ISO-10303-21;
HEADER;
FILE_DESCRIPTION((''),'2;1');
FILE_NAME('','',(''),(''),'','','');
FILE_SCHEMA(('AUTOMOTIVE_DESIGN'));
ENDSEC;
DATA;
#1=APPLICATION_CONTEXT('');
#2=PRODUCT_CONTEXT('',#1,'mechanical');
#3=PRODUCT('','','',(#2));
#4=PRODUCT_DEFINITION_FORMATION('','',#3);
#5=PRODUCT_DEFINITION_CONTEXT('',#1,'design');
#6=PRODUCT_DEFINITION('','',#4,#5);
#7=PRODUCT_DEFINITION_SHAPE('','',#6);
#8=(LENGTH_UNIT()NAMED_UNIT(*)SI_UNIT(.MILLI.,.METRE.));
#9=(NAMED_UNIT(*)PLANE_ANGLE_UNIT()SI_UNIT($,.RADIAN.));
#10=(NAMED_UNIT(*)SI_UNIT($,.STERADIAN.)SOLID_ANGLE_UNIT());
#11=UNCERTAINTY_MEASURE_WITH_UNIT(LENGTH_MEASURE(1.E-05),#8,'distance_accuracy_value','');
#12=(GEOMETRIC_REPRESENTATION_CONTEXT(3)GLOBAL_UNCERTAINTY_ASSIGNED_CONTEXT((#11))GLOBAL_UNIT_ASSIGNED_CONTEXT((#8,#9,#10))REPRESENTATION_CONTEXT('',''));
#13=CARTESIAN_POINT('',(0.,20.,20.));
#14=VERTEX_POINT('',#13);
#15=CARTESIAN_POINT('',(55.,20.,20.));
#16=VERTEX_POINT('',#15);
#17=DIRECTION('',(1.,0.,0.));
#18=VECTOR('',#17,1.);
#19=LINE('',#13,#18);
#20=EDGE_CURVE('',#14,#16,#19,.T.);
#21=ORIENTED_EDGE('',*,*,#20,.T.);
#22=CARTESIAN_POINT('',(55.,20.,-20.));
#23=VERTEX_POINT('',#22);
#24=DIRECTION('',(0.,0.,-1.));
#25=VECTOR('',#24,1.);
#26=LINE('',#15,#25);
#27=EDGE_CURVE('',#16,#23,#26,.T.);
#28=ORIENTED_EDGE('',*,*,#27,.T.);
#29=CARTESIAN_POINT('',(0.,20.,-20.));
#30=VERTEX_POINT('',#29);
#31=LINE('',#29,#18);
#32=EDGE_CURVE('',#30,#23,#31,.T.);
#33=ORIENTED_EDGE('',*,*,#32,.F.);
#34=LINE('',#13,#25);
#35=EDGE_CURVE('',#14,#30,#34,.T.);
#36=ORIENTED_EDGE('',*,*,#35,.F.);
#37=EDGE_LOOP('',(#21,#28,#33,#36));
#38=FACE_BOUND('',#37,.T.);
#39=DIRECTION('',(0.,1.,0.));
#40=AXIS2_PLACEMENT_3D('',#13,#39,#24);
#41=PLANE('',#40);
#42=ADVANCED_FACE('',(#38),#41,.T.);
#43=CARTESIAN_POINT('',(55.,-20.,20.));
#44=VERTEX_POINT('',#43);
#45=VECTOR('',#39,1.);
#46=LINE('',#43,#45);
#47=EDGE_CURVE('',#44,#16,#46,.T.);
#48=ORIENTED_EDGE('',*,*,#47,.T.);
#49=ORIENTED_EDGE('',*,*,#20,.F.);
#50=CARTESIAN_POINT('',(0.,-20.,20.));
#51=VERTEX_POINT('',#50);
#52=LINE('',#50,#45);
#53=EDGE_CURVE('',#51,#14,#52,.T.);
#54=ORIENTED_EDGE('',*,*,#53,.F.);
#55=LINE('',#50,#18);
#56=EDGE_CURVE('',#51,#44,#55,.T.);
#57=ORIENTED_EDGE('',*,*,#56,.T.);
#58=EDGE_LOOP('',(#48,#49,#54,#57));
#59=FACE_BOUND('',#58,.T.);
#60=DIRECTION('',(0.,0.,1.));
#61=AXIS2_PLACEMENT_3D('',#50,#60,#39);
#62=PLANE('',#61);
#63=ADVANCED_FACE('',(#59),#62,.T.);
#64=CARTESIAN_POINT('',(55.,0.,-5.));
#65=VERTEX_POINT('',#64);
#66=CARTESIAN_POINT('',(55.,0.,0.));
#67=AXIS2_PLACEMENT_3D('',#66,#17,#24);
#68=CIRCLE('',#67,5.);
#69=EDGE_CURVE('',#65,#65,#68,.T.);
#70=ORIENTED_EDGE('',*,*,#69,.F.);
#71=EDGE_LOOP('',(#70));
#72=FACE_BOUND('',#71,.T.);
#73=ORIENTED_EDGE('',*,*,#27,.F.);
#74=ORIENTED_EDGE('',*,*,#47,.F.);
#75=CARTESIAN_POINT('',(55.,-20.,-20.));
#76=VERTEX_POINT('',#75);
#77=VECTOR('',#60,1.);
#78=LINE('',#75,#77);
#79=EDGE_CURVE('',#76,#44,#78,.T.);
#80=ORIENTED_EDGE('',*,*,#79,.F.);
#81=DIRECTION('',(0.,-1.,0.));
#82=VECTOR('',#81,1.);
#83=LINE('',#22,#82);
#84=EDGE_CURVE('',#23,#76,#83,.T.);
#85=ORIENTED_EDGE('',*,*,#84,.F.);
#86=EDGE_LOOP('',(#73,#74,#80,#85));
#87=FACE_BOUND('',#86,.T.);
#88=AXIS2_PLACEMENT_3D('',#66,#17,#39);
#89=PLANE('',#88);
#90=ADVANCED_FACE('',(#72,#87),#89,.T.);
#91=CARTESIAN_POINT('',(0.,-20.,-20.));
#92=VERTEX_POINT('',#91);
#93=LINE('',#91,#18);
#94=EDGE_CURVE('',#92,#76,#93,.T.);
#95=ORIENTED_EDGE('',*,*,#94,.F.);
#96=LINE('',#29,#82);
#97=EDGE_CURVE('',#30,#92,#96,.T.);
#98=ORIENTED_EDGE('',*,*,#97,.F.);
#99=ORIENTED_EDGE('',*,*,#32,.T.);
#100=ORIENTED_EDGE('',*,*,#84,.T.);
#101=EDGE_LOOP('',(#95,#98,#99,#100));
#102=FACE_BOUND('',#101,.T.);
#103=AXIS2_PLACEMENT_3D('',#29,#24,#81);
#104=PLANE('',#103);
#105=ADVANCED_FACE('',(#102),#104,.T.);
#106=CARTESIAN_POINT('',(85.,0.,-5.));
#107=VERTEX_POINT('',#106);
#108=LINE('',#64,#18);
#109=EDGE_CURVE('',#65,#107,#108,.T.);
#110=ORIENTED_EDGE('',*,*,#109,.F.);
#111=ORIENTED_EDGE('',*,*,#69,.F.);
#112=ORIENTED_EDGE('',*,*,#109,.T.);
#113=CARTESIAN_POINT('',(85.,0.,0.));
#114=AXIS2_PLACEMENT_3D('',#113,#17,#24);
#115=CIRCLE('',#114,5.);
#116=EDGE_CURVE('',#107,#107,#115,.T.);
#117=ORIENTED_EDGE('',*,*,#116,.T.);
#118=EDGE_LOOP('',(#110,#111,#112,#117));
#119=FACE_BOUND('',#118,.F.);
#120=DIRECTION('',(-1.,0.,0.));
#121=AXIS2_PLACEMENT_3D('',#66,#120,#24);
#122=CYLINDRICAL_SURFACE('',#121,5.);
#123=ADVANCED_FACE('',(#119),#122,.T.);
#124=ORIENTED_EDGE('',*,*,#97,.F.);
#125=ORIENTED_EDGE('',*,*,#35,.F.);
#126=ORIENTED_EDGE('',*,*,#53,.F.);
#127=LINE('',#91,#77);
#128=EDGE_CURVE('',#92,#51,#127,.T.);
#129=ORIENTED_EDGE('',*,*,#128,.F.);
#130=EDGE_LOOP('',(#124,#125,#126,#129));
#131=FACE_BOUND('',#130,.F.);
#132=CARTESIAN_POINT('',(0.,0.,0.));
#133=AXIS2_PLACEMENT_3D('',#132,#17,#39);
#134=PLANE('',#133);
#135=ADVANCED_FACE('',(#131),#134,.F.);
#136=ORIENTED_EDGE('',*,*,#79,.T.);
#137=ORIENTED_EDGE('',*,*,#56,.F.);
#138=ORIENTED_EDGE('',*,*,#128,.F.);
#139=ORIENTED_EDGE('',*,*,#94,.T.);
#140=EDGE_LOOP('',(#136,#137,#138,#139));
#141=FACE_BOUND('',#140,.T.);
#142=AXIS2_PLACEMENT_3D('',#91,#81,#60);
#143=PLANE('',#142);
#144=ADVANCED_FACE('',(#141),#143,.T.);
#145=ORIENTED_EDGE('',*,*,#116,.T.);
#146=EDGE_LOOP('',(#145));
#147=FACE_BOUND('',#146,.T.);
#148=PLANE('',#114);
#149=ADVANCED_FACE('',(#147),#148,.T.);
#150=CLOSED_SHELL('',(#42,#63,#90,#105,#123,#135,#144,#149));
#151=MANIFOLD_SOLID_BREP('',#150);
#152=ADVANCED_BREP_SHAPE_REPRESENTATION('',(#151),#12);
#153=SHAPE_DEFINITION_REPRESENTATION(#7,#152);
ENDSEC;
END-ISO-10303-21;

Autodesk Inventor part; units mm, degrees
ref_plane "YZ Plane" through (0, 0, 0) normal (1, 0, 0) x (0, 1, 0)
ref_plane "XZ Plane" through (0, 0, 0) normal (0, 1, 0) x (-1, 0, 0)
ref_plane "XY Plane" through (0, 0, 0) normal (0, 0, 1) x (1, 0, 0)
sketch "Sketch1" plane through (0, 0, 0) normal (1, 0, 0) x (0, 1, 0)
  line L0 (-20, 20) -> (20, 20)
  line L1 (20, 20) -> (20, -20)
  line L2 (20, -20) -> (-20, -20)
  line L3 (-20, -20) -> (-20, 20)
  line L4 (-20, 20) -> (20, -20) construction
  line L5 (20, 20) -> (-20, -20) construction
  point P0 (0, 0)
  dimension "d0" = 40
  dimension "d1" = 40
extrude "Extrusion1" add sketch "Sketch1" along normal blind 55
sketch "Sketch3" plane through (55, 0, 0) normal (1, 0, 0) x (0, 0, -1)
  circle A0 centre (0, 0) radius 5
  dimension "d4" = 10
extrude "Extrusion2" add sketch "Sketch3" along normal blind 30
properties part number "ArmMotor"
